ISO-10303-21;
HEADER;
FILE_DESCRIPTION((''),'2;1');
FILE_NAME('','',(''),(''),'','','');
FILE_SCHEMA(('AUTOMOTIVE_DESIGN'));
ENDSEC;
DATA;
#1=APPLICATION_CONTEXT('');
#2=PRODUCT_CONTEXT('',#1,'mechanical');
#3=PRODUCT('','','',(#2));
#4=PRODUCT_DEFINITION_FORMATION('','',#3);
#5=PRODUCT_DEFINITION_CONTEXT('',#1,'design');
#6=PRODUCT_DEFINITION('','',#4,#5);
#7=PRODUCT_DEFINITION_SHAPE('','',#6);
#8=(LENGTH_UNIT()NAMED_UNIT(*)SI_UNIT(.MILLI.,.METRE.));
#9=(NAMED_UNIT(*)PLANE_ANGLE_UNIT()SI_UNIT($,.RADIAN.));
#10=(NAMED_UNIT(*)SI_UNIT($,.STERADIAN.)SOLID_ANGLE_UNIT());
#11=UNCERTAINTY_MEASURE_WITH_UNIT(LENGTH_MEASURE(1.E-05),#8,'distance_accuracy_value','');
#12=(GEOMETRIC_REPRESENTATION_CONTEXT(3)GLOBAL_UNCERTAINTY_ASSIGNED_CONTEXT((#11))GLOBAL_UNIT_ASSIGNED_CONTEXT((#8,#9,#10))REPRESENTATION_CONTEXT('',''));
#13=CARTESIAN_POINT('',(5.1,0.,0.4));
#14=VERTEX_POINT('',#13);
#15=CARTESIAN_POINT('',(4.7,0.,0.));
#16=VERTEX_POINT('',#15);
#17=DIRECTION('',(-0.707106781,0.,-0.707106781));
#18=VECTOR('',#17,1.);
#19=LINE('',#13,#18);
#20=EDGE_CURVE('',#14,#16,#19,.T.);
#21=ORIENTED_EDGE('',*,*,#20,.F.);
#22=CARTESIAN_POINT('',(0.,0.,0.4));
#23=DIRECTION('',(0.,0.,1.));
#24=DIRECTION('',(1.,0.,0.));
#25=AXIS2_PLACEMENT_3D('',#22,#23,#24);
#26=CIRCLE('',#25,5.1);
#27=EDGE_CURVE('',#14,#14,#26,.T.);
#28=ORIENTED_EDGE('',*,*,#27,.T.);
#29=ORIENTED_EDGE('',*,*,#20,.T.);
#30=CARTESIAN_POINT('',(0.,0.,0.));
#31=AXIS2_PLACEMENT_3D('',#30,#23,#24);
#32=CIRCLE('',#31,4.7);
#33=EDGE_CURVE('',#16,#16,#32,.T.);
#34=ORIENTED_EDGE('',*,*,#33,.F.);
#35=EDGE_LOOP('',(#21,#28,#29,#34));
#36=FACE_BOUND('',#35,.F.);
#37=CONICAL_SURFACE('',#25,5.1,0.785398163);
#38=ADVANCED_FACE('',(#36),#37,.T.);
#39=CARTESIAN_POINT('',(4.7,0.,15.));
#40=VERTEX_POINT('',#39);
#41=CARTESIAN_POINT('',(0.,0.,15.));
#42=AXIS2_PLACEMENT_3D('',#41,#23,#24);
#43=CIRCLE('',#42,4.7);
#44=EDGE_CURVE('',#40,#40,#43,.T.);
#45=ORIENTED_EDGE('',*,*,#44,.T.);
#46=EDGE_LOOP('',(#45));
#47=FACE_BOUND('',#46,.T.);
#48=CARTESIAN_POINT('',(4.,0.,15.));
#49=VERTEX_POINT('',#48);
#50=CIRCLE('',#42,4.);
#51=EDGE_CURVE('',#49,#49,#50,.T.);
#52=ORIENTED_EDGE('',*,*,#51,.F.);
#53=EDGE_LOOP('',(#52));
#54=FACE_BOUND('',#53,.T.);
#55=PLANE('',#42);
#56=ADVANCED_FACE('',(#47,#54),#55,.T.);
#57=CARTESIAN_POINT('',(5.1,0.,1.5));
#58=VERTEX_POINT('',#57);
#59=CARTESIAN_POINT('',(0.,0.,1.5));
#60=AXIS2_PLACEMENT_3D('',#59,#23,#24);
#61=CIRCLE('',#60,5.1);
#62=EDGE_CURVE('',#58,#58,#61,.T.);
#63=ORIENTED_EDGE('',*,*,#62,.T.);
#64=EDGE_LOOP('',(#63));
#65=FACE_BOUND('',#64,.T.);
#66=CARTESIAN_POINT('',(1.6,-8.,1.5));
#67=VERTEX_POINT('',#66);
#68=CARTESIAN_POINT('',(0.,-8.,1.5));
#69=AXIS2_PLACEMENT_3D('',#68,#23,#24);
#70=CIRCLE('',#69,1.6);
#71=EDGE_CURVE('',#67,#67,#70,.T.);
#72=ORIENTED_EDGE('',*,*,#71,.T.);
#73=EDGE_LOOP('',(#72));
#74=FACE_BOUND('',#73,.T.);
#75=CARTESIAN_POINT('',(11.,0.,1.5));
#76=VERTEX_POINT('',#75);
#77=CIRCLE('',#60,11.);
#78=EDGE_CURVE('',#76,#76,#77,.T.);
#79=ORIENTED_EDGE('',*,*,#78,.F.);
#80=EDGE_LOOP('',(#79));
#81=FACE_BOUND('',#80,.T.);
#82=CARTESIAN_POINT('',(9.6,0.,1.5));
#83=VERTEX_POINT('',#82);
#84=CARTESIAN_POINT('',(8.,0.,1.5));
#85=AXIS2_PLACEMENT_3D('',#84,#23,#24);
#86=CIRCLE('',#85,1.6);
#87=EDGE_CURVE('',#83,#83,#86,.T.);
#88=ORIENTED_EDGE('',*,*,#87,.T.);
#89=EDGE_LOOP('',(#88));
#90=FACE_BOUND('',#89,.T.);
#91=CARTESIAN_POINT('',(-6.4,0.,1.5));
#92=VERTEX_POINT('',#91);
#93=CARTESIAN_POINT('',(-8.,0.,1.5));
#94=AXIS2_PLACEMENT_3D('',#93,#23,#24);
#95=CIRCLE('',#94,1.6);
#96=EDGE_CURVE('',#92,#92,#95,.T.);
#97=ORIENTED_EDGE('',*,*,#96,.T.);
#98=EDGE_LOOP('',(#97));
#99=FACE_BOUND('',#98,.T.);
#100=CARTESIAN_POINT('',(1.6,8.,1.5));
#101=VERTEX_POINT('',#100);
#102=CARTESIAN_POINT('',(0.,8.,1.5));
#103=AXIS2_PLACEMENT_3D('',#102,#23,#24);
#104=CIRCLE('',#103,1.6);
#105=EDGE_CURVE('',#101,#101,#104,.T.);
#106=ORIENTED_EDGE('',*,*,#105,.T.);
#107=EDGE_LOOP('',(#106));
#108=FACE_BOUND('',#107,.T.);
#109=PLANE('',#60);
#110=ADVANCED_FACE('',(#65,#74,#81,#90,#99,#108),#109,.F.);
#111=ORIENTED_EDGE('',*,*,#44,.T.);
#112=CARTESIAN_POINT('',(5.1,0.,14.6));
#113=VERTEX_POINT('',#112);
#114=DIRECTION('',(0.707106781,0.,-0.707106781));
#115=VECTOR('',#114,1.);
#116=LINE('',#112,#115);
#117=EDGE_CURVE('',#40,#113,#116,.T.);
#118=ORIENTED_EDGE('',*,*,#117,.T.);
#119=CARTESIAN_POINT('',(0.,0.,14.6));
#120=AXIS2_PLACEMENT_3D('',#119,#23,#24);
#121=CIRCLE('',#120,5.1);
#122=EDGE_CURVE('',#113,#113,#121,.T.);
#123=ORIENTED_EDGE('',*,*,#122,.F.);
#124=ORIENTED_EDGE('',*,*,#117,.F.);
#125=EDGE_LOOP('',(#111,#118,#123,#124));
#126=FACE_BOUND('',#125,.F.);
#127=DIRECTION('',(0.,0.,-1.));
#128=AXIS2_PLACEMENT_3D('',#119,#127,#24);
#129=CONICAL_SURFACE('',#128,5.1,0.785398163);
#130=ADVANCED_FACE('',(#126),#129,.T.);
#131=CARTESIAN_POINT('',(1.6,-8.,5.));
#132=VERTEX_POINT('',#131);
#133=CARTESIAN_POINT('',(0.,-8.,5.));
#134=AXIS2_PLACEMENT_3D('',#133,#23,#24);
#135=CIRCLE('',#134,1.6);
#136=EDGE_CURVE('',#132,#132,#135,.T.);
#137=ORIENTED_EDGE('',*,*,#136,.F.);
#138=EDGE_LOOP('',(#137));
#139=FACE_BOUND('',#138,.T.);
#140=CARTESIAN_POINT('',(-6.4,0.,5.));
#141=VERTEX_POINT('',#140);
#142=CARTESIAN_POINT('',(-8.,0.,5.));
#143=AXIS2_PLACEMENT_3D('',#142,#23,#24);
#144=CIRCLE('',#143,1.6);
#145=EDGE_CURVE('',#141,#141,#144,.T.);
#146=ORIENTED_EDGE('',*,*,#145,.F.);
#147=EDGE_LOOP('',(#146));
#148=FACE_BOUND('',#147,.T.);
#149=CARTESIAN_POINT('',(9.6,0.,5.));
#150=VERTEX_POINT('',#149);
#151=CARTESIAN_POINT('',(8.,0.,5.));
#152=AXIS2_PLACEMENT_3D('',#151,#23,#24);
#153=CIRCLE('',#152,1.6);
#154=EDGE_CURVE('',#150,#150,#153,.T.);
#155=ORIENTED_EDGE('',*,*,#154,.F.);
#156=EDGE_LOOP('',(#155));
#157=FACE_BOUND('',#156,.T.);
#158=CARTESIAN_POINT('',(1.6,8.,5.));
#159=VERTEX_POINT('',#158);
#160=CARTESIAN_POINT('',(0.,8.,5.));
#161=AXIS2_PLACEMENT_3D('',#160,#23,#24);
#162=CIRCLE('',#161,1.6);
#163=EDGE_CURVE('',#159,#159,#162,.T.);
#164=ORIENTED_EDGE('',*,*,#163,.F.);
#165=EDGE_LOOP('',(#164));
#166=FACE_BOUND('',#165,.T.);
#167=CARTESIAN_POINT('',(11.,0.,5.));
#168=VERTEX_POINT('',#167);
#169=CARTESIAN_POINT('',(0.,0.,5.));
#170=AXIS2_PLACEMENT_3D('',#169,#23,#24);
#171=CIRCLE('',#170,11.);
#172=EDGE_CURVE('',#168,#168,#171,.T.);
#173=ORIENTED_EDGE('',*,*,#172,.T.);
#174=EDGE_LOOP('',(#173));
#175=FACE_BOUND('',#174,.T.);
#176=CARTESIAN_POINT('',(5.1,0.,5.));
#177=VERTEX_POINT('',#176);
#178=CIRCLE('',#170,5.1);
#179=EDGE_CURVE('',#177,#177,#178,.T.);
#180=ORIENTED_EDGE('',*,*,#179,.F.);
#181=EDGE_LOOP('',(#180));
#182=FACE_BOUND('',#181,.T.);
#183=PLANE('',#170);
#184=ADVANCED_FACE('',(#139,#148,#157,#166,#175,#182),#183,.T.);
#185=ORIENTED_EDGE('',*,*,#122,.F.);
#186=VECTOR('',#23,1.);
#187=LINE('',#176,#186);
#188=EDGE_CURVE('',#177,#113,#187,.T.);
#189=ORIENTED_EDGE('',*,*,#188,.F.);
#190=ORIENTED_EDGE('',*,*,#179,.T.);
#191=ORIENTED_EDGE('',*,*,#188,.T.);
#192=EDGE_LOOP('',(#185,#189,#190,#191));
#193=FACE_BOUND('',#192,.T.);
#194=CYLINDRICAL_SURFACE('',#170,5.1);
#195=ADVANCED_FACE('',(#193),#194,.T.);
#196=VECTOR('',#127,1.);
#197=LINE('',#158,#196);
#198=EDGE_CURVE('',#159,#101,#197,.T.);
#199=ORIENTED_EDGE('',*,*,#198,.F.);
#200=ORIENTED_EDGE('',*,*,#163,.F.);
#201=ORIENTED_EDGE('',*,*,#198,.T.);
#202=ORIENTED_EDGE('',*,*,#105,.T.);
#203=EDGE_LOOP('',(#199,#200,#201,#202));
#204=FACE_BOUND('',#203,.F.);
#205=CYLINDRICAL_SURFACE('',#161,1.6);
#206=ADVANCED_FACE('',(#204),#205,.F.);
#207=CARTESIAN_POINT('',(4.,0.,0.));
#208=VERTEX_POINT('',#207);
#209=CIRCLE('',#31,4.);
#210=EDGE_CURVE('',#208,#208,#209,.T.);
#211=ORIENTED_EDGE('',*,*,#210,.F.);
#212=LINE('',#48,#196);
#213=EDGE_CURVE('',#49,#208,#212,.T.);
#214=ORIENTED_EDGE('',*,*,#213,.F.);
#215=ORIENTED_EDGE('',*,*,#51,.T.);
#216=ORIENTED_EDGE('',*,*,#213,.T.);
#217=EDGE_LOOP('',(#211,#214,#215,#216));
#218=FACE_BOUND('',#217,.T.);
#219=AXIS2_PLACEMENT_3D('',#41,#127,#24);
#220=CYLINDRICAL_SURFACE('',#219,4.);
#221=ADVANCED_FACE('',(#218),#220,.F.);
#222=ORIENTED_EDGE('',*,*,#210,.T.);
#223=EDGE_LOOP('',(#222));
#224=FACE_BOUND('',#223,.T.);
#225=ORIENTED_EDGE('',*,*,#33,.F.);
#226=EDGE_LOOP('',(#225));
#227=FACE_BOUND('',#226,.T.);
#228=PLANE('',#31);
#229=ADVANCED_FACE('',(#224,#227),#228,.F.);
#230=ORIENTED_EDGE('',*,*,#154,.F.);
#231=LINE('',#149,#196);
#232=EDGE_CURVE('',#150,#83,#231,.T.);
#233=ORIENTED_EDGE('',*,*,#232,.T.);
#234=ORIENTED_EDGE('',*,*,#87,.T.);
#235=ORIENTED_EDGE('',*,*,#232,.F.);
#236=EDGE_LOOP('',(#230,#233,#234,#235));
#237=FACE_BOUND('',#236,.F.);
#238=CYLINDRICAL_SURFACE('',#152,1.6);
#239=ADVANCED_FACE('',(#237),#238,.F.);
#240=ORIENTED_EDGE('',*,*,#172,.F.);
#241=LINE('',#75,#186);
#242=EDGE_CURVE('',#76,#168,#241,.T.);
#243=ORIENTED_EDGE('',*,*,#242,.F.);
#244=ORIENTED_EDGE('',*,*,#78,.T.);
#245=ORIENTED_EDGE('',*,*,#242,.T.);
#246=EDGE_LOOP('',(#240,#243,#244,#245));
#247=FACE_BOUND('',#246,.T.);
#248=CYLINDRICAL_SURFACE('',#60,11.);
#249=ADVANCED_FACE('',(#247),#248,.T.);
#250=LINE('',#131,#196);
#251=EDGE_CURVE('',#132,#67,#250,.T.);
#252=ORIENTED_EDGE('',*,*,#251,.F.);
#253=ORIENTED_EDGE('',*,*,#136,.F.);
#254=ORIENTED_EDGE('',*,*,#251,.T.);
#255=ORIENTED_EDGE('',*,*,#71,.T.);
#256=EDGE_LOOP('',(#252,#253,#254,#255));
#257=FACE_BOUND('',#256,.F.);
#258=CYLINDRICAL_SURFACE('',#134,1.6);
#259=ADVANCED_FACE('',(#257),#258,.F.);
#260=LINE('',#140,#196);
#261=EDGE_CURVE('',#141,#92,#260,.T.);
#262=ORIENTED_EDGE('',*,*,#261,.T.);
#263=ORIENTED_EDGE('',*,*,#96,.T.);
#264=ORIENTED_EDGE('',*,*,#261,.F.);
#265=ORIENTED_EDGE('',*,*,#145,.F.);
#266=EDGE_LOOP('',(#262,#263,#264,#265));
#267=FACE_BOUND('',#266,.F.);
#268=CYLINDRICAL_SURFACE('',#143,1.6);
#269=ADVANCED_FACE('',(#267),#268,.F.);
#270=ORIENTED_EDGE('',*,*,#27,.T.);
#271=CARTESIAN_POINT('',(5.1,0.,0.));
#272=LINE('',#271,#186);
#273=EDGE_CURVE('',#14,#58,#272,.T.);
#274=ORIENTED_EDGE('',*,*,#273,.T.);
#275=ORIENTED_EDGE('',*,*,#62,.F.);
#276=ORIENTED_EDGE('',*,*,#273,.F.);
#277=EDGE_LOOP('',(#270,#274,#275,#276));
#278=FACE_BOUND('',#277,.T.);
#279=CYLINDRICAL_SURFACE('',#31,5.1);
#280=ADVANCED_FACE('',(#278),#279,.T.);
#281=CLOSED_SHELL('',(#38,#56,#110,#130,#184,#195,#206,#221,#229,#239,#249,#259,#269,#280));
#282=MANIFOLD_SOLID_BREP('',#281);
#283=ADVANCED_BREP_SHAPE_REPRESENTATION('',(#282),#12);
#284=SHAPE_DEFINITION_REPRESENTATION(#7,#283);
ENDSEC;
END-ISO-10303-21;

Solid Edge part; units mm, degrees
sketch "Sketch1" plane through (0, 0, 0) normal (0, -1, 0) x (1, 0, 0)
  line L0 (5.1, 0) -> (5.1, 1.5)
  line L1 (5.1, 1.5) -> (11, 1.5)
  line L2 (11, 1.5) -> (11, 5)
  line L3 (11, 5) -> (5.1, 5)
  line L4 (5.1, 5) -> (5.1, 15)
  line L5 (5.1, 15) -> (4, 15)
  line L6 (4, 15) -> (4, 0)
  line L7 (4, 0) -> (5.1, 0)
  dimension "D1" = 4
  dimension "D2" = 11
  dimension "D3" = 5.1
  dimension "D4" = 1.5
  dimension "D5" = 3.5
  dimension "D6" = 10
revolve "RevolvedProtrusion1" add sketch "Sketch1" angle 360 about axis through (0, 0, 0) along (0, 0, 1)
sketch "Sketch2" plane through (0, 0, 5) normal (0, 0, 1) x (1, 0, 0)
  circle A0 centre (0, 8) radius 1.6
  circle A1 centre (8, 0) radius 1.6
  circle A2 centre (0, -8) radius 1.6
  circle A3 centre (-8, 0) radius 1.6
  dimension "D1" = 3.2
  dimension "D2" = 16
extrude "Cutout1" cut sketch "Sketch2" against normal through all
chamfer "Chamfer1" distance 0.4 angle 45 2 edges at (-5.1, 0, 15) (-5.1, 0, 0)
